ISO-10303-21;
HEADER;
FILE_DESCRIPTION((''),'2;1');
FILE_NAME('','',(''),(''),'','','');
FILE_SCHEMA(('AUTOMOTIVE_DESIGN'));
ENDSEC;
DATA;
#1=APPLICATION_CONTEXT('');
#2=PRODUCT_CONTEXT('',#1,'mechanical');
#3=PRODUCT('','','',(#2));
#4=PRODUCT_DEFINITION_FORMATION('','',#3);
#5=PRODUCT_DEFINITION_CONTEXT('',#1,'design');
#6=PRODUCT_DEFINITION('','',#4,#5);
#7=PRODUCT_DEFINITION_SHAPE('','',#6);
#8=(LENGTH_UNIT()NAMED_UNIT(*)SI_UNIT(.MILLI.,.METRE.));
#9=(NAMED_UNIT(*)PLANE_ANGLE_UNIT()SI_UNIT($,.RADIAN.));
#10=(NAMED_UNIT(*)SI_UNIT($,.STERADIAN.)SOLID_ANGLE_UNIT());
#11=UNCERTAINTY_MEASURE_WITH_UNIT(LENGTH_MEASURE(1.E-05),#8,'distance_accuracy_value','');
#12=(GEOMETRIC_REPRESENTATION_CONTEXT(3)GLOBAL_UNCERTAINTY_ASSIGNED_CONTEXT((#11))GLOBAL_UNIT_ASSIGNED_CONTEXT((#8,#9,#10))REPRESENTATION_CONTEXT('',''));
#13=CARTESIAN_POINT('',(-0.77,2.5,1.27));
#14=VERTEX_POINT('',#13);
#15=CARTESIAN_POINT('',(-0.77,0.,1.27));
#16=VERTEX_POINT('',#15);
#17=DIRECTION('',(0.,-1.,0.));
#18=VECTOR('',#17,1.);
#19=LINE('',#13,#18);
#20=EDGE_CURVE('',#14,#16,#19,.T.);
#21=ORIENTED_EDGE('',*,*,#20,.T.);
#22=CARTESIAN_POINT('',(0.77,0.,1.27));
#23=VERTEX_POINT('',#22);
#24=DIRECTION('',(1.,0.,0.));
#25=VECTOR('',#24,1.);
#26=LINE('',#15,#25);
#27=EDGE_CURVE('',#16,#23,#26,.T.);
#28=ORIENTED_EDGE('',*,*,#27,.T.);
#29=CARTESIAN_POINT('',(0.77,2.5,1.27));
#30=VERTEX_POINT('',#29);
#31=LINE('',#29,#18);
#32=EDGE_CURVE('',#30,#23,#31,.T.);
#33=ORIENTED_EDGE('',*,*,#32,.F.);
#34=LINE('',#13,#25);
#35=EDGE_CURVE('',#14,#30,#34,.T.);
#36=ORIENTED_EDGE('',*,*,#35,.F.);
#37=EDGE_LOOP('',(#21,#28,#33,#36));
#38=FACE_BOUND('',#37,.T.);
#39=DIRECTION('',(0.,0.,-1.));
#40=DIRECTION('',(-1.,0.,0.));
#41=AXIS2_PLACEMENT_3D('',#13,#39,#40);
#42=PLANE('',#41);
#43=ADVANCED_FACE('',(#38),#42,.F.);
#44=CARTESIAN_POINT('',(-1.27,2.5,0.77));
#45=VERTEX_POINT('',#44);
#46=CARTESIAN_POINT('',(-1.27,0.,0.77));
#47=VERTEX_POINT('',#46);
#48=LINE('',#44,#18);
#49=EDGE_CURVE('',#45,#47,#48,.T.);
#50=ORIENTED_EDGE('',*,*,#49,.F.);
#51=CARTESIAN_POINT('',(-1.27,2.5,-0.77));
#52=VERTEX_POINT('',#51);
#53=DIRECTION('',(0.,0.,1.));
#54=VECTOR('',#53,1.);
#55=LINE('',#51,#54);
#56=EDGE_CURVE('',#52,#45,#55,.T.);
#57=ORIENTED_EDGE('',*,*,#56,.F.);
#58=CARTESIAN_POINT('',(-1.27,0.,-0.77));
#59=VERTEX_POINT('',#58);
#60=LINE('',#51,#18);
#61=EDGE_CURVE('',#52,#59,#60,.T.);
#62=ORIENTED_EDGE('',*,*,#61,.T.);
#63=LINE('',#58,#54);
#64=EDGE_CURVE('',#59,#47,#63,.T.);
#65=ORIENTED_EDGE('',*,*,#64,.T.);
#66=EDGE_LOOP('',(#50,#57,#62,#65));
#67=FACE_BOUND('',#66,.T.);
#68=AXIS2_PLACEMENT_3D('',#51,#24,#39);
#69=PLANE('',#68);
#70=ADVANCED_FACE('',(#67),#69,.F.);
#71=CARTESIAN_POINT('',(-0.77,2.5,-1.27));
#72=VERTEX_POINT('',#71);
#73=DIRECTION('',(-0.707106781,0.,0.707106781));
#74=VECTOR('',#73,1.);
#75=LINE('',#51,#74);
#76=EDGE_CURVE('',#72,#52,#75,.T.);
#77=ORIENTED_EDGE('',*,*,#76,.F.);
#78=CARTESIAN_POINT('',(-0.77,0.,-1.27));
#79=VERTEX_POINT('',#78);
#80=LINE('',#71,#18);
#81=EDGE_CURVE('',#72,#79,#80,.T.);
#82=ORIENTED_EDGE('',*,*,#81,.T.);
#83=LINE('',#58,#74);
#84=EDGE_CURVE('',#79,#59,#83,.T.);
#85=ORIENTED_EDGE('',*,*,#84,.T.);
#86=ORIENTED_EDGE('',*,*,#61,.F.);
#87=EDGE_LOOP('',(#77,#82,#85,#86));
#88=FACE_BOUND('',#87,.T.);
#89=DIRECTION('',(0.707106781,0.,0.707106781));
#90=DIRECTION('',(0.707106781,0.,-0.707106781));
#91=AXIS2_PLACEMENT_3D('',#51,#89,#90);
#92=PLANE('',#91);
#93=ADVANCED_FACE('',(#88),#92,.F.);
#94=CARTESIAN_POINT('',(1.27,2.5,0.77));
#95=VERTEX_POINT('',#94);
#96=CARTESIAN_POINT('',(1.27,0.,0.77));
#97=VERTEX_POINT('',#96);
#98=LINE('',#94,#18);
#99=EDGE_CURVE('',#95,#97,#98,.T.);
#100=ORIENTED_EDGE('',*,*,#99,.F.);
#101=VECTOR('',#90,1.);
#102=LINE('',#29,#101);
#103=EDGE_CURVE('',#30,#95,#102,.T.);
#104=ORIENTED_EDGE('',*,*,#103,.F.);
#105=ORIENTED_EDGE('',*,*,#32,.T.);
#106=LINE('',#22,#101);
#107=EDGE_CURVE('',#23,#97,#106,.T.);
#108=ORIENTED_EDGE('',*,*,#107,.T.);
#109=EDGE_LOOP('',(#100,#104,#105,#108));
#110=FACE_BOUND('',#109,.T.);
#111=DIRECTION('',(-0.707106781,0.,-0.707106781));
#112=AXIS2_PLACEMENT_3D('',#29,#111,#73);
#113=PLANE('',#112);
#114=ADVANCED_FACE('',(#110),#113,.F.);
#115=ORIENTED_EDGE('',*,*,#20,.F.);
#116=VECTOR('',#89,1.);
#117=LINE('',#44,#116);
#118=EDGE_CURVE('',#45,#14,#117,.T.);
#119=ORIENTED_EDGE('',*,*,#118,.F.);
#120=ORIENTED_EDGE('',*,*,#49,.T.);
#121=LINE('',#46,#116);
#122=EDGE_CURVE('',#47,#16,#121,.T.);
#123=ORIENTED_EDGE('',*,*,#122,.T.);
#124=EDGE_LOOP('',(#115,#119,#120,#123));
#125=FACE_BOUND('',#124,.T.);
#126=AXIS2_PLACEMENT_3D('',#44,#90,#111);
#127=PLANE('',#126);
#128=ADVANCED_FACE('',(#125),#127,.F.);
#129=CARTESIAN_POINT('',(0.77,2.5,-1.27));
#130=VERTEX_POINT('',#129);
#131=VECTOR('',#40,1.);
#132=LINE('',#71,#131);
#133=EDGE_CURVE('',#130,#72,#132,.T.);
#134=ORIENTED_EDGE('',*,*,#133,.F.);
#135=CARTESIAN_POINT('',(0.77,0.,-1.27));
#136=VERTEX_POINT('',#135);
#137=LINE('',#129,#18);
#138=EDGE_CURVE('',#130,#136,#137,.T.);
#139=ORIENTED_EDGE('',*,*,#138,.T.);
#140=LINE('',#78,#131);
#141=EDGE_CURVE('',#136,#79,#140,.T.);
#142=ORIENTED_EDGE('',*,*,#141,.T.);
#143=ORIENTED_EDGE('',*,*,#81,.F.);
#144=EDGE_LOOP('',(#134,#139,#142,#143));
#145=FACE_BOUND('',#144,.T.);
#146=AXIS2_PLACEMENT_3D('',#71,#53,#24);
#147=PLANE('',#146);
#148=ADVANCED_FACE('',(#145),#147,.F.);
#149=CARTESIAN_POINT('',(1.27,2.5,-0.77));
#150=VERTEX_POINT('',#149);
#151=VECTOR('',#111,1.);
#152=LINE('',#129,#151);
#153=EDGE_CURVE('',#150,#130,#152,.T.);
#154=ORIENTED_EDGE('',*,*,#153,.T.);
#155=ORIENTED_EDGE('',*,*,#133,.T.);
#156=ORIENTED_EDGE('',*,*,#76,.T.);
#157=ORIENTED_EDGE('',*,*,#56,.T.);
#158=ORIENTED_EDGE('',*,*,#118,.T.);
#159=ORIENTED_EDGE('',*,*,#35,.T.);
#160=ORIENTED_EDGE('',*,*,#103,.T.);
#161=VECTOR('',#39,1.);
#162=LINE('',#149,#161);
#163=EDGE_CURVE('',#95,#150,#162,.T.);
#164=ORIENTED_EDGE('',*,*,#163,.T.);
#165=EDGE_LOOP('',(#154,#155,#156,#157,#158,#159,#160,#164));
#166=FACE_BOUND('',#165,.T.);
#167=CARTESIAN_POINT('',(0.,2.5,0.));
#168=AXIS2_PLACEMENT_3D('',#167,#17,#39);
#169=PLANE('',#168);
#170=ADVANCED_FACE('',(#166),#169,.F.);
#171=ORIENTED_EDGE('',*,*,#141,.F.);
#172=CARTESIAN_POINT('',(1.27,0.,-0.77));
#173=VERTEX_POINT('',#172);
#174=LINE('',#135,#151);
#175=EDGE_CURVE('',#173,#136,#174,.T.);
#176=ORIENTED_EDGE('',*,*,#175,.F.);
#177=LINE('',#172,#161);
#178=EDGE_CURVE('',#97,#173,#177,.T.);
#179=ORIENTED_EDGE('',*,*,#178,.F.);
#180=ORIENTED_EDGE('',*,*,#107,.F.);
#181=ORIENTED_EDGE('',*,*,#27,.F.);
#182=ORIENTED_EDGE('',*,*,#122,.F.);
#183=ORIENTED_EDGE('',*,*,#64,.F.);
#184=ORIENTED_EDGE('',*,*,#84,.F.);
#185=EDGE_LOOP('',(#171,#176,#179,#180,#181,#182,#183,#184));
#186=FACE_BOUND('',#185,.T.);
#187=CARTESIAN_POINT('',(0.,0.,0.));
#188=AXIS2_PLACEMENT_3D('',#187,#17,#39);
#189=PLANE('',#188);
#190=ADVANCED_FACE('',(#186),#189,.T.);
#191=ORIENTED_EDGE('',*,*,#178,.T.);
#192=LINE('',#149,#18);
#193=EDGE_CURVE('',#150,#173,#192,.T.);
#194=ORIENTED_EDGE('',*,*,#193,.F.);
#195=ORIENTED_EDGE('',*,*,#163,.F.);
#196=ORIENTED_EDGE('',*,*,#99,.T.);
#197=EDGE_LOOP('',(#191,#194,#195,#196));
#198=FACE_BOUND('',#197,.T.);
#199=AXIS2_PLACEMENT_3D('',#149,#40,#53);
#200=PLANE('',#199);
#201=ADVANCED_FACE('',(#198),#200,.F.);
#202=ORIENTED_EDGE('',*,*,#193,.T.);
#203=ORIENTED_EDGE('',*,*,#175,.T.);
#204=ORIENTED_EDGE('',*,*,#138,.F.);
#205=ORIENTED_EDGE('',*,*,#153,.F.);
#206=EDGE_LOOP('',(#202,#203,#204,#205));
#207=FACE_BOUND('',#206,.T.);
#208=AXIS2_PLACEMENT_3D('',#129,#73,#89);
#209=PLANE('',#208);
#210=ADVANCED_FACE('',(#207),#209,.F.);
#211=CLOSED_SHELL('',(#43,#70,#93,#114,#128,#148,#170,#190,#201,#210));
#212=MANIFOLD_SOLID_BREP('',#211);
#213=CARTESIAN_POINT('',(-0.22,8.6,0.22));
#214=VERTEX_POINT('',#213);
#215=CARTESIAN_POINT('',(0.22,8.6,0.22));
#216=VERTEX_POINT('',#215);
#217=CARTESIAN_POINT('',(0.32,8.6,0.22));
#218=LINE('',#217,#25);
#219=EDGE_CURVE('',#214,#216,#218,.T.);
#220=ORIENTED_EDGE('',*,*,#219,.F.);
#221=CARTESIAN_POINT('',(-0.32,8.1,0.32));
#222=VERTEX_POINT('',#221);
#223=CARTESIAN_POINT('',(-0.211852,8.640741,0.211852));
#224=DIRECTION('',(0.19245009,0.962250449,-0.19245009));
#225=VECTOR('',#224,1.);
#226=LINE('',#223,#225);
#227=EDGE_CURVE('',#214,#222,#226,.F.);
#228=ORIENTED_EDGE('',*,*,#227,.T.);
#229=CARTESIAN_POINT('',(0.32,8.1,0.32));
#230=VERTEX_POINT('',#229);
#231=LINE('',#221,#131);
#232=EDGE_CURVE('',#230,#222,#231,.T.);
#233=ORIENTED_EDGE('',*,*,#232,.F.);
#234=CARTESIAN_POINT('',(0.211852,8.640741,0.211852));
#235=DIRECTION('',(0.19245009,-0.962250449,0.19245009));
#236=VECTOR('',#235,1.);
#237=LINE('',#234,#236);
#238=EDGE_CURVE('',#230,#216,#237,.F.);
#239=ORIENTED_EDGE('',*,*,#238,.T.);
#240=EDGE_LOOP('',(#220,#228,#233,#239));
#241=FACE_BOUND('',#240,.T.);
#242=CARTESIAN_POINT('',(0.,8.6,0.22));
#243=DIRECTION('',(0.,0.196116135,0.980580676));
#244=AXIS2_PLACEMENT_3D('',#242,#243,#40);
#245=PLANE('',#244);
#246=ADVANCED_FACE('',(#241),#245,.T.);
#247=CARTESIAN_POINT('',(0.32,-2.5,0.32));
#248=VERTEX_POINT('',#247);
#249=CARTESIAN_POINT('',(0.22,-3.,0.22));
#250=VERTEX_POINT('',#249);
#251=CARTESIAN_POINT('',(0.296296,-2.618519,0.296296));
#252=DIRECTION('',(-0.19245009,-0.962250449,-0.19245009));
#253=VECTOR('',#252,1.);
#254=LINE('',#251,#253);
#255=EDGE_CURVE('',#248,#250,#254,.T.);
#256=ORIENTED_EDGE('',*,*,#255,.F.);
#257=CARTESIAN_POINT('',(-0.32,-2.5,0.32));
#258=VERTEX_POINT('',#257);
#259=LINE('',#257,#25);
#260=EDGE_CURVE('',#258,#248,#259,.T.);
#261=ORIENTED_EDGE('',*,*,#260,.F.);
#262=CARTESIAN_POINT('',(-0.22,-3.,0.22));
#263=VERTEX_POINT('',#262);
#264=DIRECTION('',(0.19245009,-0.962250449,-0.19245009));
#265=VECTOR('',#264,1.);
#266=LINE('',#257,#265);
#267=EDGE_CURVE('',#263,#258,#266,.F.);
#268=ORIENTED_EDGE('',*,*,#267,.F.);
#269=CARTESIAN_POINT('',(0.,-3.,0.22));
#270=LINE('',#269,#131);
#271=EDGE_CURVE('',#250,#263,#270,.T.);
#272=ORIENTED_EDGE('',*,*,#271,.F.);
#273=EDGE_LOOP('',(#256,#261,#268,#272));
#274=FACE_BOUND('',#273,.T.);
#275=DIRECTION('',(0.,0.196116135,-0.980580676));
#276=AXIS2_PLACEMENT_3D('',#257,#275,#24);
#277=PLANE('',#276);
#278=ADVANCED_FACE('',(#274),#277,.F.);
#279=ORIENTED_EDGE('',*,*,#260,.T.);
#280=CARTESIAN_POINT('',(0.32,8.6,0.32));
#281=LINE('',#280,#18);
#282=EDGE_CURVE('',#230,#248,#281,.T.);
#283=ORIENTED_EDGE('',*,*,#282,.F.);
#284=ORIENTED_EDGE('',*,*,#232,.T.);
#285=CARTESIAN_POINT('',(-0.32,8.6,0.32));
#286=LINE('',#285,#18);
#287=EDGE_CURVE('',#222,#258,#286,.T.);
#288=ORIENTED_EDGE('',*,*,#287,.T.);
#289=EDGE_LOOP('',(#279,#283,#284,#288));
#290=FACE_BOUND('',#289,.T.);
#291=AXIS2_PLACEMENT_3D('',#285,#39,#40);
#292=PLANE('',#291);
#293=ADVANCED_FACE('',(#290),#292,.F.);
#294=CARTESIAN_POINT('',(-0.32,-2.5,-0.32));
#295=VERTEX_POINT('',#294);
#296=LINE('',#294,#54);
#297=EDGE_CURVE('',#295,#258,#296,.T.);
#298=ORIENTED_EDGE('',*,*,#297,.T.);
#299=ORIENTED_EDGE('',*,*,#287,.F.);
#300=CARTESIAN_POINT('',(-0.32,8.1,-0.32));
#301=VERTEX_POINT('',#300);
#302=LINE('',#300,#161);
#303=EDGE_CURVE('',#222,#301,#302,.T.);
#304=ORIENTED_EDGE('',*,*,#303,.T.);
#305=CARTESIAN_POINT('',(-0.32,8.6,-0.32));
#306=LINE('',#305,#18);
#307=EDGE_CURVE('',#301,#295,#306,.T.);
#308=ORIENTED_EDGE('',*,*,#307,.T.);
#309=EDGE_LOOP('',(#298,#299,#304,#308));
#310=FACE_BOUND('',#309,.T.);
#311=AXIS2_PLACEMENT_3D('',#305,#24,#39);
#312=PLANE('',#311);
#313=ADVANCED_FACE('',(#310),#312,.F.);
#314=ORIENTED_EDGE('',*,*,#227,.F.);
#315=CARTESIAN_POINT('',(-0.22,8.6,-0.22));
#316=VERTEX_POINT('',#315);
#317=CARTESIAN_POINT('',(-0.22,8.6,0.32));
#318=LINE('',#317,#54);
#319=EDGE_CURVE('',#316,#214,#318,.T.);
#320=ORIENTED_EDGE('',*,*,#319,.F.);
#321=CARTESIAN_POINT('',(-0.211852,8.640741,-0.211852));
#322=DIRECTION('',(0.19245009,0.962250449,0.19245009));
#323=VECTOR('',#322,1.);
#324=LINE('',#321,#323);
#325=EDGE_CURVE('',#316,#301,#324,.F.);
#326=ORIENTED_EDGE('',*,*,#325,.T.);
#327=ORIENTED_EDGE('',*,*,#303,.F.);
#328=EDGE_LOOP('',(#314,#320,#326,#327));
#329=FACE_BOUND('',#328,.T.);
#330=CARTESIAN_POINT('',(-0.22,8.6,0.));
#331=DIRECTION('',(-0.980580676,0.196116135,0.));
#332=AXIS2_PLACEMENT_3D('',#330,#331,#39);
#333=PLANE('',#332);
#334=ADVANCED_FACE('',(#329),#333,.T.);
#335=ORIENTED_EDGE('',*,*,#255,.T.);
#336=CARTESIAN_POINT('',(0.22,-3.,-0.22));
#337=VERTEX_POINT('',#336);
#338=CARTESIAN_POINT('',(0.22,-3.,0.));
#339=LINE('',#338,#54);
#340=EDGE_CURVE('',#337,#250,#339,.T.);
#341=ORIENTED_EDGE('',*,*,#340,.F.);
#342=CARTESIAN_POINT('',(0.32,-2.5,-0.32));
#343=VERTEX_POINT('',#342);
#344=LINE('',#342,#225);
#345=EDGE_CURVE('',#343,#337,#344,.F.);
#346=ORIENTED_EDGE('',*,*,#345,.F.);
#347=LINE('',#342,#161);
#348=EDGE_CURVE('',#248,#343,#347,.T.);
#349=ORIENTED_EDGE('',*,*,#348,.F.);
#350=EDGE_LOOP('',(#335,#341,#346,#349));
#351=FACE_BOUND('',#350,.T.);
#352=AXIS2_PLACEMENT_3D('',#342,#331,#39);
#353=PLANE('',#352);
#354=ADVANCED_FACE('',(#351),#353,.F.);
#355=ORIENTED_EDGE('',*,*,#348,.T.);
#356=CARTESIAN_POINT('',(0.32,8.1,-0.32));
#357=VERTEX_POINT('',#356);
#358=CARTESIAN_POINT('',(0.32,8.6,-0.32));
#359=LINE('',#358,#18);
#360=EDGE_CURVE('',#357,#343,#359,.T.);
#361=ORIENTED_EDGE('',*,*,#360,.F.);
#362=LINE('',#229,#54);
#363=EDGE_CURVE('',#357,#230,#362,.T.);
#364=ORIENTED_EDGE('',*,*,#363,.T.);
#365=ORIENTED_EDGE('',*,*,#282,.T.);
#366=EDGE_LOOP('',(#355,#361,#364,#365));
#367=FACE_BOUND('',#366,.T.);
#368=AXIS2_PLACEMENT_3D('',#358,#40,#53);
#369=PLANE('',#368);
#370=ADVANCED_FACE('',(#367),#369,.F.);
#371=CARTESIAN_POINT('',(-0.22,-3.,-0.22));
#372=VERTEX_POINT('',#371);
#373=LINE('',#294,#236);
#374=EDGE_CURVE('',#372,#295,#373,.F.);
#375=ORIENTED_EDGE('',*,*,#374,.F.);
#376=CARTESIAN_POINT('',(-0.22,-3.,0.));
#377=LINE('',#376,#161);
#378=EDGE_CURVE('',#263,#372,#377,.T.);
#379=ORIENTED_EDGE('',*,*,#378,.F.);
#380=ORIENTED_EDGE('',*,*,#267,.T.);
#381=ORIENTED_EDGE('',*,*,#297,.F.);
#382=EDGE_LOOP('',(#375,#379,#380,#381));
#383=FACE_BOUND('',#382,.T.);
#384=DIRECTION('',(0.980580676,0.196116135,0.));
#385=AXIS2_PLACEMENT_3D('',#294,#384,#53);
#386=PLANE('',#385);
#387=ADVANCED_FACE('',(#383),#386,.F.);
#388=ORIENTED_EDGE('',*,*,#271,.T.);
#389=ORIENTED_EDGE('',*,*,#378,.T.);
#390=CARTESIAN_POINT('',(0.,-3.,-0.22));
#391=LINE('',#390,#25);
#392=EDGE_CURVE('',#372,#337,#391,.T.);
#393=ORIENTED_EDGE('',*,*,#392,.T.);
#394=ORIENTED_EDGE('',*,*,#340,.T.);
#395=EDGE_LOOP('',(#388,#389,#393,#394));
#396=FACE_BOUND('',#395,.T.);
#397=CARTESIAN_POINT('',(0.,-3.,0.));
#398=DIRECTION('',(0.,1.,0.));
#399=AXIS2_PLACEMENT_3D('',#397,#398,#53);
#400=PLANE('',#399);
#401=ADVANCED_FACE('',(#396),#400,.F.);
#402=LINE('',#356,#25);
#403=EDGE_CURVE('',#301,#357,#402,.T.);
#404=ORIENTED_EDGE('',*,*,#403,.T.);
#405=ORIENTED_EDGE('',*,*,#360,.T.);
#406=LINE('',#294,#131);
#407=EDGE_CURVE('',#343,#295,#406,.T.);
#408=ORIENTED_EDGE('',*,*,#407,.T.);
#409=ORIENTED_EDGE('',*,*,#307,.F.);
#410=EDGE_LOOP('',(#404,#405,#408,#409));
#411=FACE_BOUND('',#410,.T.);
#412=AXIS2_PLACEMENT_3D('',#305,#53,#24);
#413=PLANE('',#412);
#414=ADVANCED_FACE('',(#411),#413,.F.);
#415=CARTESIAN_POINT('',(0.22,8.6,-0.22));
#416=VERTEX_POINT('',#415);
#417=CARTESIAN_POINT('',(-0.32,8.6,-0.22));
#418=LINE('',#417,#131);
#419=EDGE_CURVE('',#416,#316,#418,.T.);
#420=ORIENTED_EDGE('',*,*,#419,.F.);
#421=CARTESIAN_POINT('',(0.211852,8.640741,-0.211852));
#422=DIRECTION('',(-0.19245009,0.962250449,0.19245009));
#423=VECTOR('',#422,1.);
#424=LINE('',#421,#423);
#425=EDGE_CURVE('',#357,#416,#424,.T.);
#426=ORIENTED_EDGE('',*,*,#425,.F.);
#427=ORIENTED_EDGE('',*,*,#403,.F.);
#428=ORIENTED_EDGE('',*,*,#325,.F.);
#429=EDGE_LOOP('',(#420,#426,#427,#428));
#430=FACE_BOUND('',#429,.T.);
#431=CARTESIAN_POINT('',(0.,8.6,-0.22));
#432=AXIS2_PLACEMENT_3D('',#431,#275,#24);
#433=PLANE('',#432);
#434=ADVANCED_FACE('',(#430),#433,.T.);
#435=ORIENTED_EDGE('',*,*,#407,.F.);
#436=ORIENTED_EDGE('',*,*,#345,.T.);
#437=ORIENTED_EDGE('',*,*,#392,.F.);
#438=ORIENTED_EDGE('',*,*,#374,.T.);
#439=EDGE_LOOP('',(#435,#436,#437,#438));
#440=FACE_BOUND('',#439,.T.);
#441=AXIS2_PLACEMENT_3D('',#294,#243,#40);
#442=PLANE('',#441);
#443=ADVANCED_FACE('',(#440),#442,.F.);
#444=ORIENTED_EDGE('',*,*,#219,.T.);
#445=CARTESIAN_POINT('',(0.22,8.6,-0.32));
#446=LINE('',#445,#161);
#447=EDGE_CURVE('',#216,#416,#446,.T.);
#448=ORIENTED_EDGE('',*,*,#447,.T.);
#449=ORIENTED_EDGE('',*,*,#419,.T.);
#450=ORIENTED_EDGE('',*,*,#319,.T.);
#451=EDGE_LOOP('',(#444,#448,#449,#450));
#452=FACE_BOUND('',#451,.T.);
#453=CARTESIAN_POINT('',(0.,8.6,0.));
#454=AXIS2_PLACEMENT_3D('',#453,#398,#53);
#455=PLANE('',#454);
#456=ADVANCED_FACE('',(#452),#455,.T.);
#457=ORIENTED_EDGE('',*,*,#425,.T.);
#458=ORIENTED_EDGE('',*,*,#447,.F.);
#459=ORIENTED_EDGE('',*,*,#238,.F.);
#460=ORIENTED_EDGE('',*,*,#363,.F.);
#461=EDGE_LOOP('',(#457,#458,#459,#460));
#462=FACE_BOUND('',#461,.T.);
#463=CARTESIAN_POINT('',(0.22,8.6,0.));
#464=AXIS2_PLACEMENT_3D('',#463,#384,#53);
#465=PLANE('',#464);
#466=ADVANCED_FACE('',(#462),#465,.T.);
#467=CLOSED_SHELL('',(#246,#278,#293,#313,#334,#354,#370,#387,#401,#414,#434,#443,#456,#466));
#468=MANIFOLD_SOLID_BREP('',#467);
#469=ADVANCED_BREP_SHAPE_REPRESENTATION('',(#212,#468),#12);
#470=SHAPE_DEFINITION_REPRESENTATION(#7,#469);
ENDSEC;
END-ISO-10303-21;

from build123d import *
from OCP.BRepFilletAPI import BRepFilletAPI_MakeChamfer

# Parameters (mm, degrees)
EXTRUDE_1_DEPTH      = 8.6
EXTRUDE_1_DEPTH_BACK = 3
SKETCH_1_W           = 0.64
SKETCH_1_H           = 0.64
CHAMFER_1_SIZE       = 0.5
CHAMFER_1_SIZE2      = 0.1
CHAMFER_2_SIZE       = 0.1
CHAMFER_2_SIZE2      = 0.5
EXTRUDE_2_DEPTH      = 2.5


with BuildPart() as part:
    # Эскиз1 → Бобышка-Вытянуть1 (new, two sides: drawn at the far end of the back side and taken through both)
    with BuildSketch(Plane(origin=(0, 0, 0), x_dir=(1, 0, 0), z_dir=(0, 1, 0)).offset(-EXTRUDE_1_DEPTH_BACK)):
        Rectangle(SKETCH_1_W, SKETCH_1_H)
    extrude(amount=EXTRUDE_1_DEPTH + EXTRUDE_1_DEPTH_BACK)

    # Фаска1: one chamfer whose edges measure the first distance from different faces: ONE call of the kernel's chamfer builder (chamfer() names one face for all edges)
    chamfer_1_edges_1 = [part.edges().sort_by_distance(p)[0] for p in [
        (-0.32, 8.6, 0),
    ]]
    chamfer_1_side_1 = [part.faces().sort_by_distance(p)[0] for p in [
        (-0.32, 2.8, 0),
    ]]
    chamfer_1_edges_2 = [part.edges().sort_by_distance(p)[0] for p in [
        (0, 8.6, 0.32),
    ]]
    chamfer_1_side_2 = [part.faces().sort_by_distance(p)[0] for p in [
        (0, 2.8, 0.32),
    ]]
    chamfer_1_edges_3 = [part.edges().sort_by_distance(p)[0] for p in [
        (0.32, 8.6, 0),
    ]]
    chamfer_1_side_3 = [part.faces().sort_by_distance(p)[0] for p in [
        (0.32, 2.8, 0),
    ]]
    chamfer_1_edges_4 = [part.edges().sort_by_distance(p)[0] for p in [
        (0, 8.6, -0.32),
    ]]
    chamfer_1_side_4 = [part.faces().sort_by_distance(p)[0] for p in [
        (0, 2.8, -0.32),
    ]]
    chamfer_1 = BRepFilletAPI_MakeChamfer(part.part.solid().wrapped)
    for e in chamfer_1_edges_1:
        chamfer_1.Add(CHAMFER_1_SIZE, CHAMFER_1_SIZE2, e.wrapped, chamfer_1_side_1[0].wrapped)  # the first distance lies on this face
    for e in chamfer_1_edges_2:
        chamfer_1.Add(CHAMFER_1_SIZE, CHAMFER_1_SIZE2, e.wrapped, chamfer_1_side_2[0].wrapped)  # the first distance lies on this face
    for e in chamfer_1_edges_3:
        chamfer_1.Add(CHAMFER_1_SIZE, CHAMFER_1_SIZE2, e.wrapped, chamfer_1_side_3[0].wrapped)  # the first distance lies on this face
    for e in chamfer_1_edges_4:
        chamfer_1.Add(CHAMFER_1_SIZE, CHAMFER_1_SIZE2, e.wrapped, chamfer_1_side_4[0].wrapped)  # the first distance lies on this face
    add(Compound.cast(chamfer_1.Shape()), mode=Mode.REPLACE)

    # Фаска2
    chamfer_2_edges = [part.edges().sort_by_distance(p)[0] for p in [
        (0.32, -3, 0),
        (0, -3, 0.32),
        (-0.32, -3, 0),
        (0, -3, -0.32),
    ]]
    chamfer_2_side = [part.faces().sort_by_distance(p)[0] for p in [
        (0, -3, 0),
    ]]
    chamfer(chamfer_2_edges, length=CHAMFER_2_SIZE, length2=CHAMFER_2_SIZE2, reference=chamfer_2_side[0])


with BuildPart() as body_2:
    # Эскиз2 → Бобышка-Вытянуть2 (new body)
    with BuildSketch(Plane(origin=(0, 0, 0), x_dir=(1, 0, 0), z_dir=(0, 1, 0))):
        Polygon((-1.27, 0.77), (-0.77, 1.27), (0.77, 1.27), (1.27, 0.77), (1.27, -0.77), (0.77, -1.27), (-0.77, -1.27), (-1.27, -0.77), align=None)
    extrude(amount=EXTRUDE_2_DEPTH)


solid = Compound([part.part, body_2.part])
